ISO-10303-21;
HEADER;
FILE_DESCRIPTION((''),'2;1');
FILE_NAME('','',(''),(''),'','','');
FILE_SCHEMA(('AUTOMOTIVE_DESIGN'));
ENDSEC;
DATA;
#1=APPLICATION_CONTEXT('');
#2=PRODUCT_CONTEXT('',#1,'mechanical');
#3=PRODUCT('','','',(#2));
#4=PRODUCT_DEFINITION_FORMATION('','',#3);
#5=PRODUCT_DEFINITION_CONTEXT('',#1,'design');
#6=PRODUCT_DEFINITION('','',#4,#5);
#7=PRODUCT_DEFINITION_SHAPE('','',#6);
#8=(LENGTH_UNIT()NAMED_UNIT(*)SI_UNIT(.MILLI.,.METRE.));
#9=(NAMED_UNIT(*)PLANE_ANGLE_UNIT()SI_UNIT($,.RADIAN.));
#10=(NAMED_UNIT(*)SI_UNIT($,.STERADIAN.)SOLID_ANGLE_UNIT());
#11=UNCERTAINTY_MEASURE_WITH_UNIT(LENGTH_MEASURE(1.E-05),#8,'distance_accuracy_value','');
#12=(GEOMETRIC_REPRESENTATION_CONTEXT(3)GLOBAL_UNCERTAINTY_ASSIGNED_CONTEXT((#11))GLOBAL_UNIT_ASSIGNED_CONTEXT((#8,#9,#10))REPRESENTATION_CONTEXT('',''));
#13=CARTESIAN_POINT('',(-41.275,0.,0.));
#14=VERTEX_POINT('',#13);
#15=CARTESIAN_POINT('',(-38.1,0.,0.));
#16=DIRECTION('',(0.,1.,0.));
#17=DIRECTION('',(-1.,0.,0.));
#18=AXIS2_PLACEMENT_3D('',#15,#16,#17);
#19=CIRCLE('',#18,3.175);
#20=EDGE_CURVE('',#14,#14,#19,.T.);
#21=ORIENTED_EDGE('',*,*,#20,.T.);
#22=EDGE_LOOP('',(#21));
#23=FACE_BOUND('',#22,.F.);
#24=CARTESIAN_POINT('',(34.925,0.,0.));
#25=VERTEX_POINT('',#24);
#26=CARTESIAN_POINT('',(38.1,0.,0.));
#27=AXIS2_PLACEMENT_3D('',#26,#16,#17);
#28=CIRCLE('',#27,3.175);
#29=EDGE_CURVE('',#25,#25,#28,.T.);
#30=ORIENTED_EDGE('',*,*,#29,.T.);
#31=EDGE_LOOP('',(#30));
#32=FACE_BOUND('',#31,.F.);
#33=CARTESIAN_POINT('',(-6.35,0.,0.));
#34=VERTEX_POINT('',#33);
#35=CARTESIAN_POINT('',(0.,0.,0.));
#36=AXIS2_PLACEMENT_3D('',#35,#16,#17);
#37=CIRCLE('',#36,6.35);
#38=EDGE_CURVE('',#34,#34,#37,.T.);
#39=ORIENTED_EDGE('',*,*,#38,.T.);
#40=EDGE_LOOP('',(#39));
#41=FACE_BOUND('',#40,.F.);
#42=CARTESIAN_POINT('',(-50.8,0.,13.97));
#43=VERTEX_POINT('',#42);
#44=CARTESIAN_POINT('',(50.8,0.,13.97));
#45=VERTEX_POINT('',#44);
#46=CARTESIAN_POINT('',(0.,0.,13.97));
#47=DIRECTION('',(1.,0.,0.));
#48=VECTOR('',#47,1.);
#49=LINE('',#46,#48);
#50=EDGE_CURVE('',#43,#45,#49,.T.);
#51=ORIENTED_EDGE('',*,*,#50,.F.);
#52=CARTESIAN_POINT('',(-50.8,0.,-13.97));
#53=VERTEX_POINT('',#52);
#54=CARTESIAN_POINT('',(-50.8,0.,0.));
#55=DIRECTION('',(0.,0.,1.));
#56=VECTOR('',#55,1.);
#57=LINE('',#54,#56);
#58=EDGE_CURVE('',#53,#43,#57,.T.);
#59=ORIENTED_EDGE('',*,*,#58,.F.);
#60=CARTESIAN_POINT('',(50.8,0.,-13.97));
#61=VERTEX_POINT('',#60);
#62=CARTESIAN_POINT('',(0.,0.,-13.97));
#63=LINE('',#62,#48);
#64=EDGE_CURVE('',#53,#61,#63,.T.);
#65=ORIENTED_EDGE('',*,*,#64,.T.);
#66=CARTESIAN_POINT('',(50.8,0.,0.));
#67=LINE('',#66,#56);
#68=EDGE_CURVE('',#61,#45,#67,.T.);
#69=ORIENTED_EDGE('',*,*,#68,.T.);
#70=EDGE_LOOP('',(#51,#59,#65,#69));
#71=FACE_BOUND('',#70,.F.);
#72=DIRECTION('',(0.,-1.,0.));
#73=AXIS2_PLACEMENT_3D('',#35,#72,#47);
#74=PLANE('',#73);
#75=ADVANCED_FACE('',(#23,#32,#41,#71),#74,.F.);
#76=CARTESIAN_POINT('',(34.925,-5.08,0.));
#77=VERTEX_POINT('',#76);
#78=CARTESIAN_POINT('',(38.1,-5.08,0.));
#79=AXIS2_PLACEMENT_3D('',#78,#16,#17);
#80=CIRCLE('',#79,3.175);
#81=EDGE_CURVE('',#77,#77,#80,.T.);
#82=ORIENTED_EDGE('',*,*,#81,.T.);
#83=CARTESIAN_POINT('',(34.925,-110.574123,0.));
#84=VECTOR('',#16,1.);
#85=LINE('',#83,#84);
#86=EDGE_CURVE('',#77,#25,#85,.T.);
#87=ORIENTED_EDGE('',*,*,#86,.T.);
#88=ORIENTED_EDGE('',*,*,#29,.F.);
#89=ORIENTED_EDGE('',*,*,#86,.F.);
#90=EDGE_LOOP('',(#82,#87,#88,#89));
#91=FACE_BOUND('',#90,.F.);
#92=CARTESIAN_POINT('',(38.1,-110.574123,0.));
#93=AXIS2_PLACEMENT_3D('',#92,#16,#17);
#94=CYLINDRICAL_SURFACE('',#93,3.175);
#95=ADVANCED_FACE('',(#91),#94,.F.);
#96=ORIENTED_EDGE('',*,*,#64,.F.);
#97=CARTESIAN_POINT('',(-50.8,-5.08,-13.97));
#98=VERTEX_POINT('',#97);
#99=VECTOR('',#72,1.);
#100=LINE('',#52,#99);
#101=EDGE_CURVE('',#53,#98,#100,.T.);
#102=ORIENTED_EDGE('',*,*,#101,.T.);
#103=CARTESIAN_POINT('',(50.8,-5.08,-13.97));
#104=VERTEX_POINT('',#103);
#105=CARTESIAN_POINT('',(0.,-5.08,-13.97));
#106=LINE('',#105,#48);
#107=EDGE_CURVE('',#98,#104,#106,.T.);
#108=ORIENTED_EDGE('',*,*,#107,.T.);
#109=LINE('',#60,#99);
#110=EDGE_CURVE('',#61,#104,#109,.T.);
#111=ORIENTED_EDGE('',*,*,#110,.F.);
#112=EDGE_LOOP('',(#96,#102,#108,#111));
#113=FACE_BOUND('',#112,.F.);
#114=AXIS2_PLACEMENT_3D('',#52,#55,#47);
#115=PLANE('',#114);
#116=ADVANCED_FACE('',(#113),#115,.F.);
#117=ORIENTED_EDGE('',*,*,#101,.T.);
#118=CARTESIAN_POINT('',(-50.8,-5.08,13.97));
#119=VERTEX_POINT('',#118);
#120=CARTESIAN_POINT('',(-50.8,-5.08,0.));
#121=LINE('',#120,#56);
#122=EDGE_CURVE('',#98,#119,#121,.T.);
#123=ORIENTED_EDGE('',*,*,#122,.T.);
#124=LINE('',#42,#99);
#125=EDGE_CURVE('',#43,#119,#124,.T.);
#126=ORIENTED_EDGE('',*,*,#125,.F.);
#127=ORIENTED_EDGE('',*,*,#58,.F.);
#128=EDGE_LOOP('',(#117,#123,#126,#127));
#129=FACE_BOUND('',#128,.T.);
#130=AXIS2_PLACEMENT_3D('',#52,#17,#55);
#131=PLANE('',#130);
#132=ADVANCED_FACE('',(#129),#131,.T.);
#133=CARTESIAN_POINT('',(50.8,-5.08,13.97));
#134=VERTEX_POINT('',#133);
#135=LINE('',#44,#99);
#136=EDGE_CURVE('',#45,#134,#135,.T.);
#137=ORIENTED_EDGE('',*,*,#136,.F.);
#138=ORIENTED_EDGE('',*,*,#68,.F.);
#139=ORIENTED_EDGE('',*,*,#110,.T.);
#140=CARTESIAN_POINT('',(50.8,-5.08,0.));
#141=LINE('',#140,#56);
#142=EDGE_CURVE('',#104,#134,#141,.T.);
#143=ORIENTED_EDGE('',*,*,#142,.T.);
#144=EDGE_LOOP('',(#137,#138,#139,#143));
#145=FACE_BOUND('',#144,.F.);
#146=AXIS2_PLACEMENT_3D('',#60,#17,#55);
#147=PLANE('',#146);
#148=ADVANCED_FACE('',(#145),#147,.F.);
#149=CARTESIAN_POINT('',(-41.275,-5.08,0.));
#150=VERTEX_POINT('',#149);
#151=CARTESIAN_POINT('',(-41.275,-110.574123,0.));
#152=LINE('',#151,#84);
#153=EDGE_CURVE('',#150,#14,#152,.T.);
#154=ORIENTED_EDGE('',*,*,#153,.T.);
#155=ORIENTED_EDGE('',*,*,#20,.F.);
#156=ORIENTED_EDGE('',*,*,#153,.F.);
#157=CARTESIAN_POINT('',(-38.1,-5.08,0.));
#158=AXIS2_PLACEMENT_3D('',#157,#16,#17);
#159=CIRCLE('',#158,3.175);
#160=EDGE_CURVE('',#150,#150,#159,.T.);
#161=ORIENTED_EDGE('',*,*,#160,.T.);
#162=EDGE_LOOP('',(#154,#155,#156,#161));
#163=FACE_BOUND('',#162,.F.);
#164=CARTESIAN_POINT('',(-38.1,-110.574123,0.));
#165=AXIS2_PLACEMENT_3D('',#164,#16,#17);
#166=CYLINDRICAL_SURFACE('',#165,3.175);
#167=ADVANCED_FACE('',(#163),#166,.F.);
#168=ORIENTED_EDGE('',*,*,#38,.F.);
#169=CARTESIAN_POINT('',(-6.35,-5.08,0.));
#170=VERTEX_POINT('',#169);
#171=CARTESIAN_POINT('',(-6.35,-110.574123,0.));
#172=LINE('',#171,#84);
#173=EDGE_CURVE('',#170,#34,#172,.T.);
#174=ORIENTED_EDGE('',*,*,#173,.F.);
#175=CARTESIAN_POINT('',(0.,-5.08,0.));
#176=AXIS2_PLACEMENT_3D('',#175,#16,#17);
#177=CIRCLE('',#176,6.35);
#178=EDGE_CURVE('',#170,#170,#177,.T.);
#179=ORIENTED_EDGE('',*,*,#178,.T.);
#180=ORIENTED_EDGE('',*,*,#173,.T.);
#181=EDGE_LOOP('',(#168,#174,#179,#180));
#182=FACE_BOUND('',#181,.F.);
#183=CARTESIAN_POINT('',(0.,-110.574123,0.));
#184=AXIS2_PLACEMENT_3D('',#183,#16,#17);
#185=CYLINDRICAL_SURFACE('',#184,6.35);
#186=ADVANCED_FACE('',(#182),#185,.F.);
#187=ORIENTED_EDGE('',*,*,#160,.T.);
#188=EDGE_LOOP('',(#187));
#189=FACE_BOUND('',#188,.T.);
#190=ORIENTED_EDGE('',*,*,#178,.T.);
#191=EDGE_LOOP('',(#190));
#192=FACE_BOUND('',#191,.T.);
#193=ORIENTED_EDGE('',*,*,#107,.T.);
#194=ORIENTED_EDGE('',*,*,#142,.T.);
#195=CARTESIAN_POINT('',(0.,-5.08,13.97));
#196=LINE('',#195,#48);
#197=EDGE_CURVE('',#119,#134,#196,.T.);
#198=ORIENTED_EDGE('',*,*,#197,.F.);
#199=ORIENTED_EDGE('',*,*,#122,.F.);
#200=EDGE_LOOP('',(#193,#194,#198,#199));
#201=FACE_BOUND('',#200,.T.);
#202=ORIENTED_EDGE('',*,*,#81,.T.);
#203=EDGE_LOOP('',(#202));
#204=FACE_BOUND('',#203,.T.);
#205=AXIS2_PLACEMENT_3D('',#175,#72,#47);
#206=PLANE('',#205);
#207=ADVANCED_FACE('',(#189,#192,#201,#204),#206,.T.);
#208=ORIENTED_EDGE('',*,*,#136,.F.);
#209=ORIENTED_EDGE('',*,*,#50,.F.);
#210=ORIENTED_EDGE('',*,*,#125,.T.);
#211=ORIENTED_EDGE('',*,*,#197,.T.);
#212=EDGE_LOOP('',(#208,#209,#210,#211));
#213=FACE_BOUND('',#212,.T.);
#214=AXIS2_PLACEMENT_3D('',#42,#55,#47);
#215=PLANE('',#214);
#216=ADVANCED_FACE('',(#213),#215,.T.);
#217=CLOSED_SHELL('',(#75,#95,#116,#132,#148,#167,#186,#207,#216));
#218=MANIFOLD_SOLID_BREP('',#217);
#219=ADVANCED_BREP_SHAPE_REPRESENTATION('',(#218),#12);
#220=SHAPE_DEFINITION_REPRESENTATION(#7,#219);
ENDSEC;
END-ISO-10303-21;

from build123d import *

# Parameters (mm, degrees)
F0_W     = 101.6
F0_H     = 27.94
F1_DEPTH = 5.08
F3_D     = 6.35
F5_D     = 12.7


with BuildPart() as f1:
    # F0 (on Front) → F1 (new body)
    with BuildSketch(Plane.XZ):
        Rectangle(F0_W, F0_H)
    extrude(amount=F1_DEPTH)

    # F3 (through all)
    with Locations(Plane.XZ.offset(5.08)):
        with Locations((-38.1, 0), (38.1, 0)):
            Hole(F3_D / 2)

    # F5 (through all)
    with Locations(Plane.XZ.offset(5.08)):
        with Locations((0, 0)):
            Hole(F5_D / 2)


solid = f1.part
